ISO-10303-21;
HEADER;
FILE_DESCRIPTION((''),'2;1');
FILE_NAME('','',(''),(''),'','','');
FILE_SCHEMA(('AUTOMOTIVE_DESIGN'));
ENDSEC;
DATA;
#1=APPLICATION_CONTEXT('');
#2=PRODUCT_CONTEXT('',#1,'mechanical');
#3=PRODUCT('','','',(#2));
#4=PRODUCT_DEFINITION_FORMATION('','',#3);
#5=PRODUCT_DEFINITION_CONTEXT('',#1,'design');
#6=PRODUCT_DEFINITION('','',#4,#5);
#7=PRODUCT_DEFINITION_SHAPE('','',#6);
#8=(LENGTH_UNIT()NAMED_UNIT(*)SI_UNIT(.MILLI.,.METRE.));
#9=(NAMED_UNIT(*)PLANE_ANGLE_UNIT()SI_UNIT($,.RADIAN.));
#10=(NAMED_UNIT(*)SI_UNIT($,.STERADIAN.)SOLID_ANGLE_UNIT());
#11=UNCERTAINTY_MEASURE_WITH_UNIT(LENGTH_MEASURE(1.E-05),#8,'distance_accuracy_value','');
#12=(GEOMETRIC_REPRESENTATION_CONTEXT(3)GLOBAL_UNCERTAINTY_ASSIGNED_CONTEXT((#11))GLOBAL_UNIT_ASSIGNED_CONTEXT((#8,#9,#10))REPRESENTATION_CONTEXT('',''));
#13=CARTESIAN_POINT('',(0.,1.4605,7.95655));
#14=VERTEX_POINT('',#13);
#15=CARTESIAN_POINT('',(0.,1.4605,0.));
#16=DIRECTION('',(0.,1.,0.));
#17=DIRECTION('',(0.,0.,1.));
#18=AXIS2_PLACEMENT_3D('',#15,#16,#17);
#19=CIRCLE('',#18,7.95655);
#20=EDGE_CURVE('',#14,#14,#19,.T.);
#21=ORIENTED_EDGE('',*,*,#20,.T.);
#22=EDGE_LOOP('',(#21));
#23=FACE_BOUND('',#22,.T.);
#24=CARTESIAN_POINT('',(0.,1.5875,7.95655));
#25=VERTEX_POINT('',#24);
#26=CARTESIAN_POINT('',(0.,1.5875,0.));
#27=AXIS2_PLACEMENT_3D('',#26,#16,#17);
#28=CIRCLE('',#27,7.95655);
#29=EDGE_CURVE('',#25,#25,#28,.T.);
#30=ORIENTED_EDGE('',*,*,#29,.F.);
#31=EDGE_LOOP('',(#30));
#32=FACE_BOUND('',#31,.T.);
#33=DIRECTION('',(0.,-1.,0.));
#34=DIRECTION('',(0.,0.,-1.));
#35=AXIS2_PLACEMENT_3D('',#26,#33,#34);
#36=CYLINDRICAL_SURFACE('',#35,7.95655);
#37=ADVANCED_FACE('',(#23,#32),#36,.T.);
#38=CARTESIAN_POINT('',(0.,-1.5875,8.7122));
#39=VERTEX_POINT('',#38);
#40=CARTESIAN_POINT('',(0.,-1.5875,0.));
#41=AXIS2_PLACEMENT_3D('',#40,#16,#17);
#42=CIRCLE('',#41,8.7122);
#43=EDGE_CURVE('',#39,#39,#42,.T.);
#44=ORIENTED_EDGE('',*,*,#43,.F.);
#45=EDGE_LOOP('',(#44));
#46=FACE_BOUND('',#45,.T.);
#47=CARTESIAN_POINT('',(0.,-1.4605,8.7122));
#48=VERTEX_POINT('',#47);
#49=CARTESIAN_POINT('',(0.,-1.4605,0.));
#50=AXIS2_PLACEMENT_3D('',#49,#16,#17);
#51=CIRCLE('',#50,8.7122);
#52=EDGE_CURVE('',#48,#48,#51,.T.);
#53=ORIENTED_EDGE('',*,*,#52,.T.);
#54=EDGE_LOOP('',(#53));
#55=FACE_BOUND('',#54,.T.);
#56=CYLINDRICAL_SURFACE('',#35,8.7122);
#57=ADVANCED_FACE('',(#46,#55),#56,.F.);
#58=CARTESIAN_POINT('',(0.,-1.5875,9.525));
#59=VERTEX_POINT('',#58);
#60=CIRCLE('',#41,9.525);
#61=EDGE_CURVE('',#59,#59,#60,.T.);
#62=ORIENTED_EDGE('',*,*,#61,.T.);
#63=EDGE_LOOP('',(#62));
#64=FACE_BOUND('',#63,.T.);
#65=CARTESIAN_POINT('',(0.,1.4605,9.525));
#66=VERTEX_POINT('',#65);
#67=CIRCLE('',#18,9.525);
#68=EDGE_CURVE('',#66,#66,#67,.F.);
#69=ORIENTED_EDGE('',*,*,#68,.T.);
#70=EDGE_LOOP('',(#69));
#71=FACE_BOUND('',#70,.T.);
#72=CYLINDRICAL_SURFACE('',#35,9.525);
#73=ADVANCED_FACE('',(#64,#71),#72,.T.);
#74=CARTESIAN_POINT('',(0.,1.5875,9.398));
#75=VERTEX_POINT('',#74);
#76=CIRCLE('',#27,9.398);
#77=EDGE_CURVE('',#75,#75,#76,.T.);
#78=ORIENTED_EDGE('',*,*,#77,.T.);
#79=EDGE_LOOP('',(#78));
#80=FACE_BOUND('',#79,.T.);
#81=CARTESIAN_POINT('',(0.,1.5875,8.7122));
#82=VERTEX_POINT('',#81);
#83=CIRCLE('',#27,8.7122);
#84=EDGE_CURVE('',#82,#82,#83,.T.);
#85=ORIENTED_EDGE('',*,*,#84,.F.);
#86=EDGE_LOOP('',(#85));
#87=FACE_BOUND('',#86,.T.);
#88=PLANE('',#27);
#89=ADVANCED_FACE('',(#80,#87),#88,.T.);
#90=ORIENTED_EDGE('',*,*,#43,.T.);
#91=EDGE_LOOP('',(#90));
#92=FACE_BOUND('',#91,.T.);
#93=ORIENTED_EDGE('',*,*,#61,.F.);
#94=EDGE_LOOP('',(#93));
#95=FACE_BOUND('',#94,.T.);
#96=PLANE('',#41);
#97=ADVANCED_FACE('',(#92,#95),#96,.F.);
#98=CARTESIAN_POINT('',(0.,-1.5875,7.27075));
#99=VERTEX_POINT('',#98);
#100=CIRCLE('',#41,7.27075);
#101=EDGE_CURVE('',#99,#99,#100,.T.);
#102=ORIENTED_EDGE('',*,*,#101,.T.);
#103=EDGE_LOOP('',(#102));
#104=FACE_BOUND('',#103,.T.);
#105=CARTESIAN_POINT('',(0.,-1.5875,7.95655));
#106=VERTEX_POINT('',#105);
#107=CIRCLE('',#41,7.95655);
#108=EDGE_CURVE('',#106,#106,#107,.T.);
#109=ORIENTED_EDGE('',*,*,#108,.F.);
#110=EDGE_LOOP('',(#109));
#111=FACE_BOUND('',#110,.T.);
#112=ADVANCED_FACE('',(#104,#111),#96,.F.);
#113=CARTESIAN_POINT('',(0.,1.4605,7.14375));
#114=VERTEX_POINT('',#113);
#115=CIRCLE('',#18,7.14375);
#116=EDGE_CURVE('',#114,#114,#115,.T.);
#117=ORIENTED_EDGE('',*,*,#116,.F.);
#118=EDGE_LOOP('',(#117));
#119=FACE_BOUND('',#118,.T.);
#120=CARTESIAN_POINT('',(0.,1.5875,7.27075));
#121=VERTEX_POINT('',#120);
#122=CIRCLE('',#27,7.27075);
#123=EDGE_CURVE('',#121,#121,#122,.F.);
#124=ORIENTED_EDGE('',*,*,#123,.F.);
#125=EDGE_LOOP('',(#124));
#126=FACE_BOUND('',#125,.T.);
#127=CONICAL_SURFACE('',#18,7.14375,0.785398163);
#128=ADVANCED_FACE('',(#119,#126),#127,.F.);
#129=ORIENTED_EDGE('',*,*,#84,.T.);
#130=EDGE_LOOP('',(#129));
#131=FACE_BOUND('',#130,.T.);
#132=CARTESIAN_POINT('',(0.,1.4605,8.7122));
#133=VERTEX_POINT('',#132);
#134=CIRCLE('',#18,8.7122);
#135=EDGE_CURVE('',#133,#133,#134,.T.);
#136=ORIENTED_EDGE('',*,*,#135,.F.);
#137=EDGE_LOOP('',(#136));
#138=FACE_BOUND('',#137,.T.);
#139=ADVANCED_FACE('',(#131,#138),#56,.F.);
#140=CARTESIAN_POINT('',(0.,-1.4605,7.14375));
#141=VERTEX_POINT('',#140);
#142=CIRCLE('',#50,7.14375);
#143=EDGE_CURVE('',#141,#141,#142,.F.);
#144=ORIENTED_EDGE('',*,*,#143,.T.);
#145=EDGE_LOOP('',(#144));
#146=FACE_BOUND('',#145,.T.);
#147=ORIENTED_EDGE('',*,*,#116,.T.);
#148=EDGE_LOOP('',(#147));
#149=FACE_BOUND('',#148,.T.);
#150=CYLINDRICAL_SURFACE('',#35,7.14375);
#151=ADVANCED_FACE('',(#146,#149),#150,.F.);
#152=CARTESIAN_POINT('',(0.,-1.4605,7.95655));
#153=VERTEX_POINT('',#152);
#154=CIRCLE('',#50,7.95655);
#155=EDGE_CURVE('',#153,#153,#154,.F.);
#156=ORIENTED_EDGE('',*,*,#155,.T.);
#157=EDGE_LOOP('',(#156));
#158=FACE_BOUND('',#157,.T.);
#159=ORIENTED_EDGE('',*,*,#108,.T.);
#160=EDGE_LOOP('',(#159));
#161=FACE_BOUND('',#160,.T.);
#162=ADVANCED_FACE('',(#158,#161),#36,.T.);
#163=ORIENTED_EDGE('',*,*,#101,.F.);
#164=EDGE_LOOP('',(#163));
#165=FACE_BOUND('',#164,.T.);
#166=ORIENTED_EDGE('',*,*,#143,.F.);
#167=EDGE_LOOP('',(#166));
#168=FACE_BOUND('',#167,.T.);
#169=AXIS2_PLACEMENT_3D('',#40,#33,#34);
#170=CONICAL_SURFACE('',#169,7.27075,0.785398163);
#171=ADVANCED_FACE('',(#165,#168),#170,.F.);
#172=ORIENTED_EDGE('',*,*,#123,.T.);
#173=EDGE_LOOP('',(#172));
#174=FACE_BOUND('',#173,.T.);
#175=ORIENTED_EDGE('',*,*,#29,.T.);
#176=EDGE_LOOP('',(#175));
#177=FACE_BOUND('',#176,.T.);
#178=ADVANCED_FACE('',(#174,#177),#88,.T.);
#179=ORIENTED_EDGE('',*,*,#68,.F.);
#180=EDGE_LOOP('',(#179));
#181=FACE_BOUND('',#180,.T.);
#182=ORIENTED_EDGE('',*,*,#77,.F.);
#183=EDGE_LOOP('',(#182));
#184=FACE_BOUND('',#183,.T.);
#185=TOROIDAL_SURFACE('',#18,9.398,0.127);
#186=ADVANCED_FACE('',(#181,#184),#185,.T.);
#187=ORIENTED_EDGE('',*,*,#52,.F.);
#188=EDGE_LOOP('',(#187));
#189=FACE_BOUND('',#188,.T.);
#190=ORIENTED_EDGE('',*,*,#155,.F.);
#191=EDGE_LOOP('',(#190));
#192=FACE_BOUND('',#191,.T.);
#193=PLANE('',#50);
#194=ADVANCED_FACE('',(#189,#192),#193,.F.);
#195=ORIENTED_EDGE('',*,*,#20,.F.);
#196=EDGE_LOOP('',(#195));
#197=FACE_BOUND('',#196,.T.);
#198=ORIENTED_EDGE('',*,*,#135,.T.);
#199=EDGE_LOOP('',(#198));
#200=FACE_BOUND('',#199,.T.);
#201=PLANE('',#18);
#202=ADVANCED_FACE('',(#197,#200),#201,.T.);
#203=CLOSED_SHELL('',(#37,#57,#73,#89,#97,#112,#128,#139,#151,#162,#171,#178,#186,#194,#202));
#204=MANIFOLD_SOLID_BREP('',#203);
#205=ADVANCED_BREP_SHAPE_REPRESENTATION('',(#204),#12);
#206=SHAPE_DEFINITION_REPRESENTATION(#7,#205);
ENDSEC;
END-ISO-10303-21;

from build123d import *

# Parameters (mm, degrees)
SKETCH1_R             = 9.525
SKETCH1_R_2           = 8.7122
BOSS_EXTRUDE1_DEPTH   = 1.5875
SKETCH1_R_3           = 7.95655
SKETCH1_R_4           = 7.14375
BOSS_EXTRUDE1_2_DEPTH = 1.5875
FILLET1_R             = 0.127
CHAMFER1_SIZE         = 0.127
SKETCH2_R             = 8.7122
SKETCH2_R_2           = 7.95655
BOSS_EXTRUDE2_DEPTH   = 1.4605


with BuildPart() as part:
    # Sketch1 → Boss-Extrude1 (new, symmetric)
    with BuildSketch(Plane(origin=(0, 0, 0), x_dir=(1, 0, 0), z_dir=(0, 1, 0))):
        with Locations(Location((0, 0, 0), (0, 0, 270))):
            Circle(SKETCH1_R)
        with Locations(Location((0, 0, 0), (0, 0, 270))):
            Circle(SKETCH1_R_2, mode=Mode.SUBTRACT)
    extrude(amount=BOSS_EXTRUDE1_DEPTH, both=True)

    # Fillet1
    fillet1_edges = [part.edges().sort_by_distance(p)[0] for p in [
        (0, 1.5875, -9.525),
    ]]
    fillet(fillet1_edges, radius=FILLET1_R)



with BuildPart() as body_2:
    # Sketch1 → Boss-Extrude1 2 (new, symmetric)
    with BuildSketch(Plane(origin=(0, 0, 0), x_dir=(1, 0, 0), z_dir=(0, 1, 0))):
        with Locations(Location((0, 0, 0), (0, 0, 270))):
            Circle(SKETCH1_R_3)
        with Locations(Location((0, 0, 0), (0, 0, 270))):
            Circle(SKETCH1_R_4, mode=Mode.SUBTRACT)
    extrude(amount=BOSS_EXTRUDE1_2_DEPTH, both=True)

    # Chamfer1
    chamfer1_edges = [body_2.edges().sort_by_distance(p)[0] for p in [
        (0, -1.5875, -7.14375),
        (0, 1.5875, -7.14375),
    ]]
    chamfer(chamfer1_edges, length=CHAMFER1_SIZE)


with BuildPart() as part_1:
    add(part.part)

    add(body_2.part)  # Boss-Extrude2 merges body 2
    # Sketch2 → Boss-Extrude2 (add, symmetric)
    with BuildSketch(Plane(origin=(0, 0, 0), x_dir=(1, 0, 0), z_dir=(0, 1, 0))):
        with Locations(Location((0, 0, 0), (0, 0, 270))):
            Circle(SKETCH2_R)
        with Locations(Location((0, 0, 0), (0, 0, 270))):
            Circle(SKETCH2_R_2, mode=Mode.SUBTRACT)
    extrude(amount=BOSS_EXTRUDE2_DEPTH, both=True)


solid = part_1.part
